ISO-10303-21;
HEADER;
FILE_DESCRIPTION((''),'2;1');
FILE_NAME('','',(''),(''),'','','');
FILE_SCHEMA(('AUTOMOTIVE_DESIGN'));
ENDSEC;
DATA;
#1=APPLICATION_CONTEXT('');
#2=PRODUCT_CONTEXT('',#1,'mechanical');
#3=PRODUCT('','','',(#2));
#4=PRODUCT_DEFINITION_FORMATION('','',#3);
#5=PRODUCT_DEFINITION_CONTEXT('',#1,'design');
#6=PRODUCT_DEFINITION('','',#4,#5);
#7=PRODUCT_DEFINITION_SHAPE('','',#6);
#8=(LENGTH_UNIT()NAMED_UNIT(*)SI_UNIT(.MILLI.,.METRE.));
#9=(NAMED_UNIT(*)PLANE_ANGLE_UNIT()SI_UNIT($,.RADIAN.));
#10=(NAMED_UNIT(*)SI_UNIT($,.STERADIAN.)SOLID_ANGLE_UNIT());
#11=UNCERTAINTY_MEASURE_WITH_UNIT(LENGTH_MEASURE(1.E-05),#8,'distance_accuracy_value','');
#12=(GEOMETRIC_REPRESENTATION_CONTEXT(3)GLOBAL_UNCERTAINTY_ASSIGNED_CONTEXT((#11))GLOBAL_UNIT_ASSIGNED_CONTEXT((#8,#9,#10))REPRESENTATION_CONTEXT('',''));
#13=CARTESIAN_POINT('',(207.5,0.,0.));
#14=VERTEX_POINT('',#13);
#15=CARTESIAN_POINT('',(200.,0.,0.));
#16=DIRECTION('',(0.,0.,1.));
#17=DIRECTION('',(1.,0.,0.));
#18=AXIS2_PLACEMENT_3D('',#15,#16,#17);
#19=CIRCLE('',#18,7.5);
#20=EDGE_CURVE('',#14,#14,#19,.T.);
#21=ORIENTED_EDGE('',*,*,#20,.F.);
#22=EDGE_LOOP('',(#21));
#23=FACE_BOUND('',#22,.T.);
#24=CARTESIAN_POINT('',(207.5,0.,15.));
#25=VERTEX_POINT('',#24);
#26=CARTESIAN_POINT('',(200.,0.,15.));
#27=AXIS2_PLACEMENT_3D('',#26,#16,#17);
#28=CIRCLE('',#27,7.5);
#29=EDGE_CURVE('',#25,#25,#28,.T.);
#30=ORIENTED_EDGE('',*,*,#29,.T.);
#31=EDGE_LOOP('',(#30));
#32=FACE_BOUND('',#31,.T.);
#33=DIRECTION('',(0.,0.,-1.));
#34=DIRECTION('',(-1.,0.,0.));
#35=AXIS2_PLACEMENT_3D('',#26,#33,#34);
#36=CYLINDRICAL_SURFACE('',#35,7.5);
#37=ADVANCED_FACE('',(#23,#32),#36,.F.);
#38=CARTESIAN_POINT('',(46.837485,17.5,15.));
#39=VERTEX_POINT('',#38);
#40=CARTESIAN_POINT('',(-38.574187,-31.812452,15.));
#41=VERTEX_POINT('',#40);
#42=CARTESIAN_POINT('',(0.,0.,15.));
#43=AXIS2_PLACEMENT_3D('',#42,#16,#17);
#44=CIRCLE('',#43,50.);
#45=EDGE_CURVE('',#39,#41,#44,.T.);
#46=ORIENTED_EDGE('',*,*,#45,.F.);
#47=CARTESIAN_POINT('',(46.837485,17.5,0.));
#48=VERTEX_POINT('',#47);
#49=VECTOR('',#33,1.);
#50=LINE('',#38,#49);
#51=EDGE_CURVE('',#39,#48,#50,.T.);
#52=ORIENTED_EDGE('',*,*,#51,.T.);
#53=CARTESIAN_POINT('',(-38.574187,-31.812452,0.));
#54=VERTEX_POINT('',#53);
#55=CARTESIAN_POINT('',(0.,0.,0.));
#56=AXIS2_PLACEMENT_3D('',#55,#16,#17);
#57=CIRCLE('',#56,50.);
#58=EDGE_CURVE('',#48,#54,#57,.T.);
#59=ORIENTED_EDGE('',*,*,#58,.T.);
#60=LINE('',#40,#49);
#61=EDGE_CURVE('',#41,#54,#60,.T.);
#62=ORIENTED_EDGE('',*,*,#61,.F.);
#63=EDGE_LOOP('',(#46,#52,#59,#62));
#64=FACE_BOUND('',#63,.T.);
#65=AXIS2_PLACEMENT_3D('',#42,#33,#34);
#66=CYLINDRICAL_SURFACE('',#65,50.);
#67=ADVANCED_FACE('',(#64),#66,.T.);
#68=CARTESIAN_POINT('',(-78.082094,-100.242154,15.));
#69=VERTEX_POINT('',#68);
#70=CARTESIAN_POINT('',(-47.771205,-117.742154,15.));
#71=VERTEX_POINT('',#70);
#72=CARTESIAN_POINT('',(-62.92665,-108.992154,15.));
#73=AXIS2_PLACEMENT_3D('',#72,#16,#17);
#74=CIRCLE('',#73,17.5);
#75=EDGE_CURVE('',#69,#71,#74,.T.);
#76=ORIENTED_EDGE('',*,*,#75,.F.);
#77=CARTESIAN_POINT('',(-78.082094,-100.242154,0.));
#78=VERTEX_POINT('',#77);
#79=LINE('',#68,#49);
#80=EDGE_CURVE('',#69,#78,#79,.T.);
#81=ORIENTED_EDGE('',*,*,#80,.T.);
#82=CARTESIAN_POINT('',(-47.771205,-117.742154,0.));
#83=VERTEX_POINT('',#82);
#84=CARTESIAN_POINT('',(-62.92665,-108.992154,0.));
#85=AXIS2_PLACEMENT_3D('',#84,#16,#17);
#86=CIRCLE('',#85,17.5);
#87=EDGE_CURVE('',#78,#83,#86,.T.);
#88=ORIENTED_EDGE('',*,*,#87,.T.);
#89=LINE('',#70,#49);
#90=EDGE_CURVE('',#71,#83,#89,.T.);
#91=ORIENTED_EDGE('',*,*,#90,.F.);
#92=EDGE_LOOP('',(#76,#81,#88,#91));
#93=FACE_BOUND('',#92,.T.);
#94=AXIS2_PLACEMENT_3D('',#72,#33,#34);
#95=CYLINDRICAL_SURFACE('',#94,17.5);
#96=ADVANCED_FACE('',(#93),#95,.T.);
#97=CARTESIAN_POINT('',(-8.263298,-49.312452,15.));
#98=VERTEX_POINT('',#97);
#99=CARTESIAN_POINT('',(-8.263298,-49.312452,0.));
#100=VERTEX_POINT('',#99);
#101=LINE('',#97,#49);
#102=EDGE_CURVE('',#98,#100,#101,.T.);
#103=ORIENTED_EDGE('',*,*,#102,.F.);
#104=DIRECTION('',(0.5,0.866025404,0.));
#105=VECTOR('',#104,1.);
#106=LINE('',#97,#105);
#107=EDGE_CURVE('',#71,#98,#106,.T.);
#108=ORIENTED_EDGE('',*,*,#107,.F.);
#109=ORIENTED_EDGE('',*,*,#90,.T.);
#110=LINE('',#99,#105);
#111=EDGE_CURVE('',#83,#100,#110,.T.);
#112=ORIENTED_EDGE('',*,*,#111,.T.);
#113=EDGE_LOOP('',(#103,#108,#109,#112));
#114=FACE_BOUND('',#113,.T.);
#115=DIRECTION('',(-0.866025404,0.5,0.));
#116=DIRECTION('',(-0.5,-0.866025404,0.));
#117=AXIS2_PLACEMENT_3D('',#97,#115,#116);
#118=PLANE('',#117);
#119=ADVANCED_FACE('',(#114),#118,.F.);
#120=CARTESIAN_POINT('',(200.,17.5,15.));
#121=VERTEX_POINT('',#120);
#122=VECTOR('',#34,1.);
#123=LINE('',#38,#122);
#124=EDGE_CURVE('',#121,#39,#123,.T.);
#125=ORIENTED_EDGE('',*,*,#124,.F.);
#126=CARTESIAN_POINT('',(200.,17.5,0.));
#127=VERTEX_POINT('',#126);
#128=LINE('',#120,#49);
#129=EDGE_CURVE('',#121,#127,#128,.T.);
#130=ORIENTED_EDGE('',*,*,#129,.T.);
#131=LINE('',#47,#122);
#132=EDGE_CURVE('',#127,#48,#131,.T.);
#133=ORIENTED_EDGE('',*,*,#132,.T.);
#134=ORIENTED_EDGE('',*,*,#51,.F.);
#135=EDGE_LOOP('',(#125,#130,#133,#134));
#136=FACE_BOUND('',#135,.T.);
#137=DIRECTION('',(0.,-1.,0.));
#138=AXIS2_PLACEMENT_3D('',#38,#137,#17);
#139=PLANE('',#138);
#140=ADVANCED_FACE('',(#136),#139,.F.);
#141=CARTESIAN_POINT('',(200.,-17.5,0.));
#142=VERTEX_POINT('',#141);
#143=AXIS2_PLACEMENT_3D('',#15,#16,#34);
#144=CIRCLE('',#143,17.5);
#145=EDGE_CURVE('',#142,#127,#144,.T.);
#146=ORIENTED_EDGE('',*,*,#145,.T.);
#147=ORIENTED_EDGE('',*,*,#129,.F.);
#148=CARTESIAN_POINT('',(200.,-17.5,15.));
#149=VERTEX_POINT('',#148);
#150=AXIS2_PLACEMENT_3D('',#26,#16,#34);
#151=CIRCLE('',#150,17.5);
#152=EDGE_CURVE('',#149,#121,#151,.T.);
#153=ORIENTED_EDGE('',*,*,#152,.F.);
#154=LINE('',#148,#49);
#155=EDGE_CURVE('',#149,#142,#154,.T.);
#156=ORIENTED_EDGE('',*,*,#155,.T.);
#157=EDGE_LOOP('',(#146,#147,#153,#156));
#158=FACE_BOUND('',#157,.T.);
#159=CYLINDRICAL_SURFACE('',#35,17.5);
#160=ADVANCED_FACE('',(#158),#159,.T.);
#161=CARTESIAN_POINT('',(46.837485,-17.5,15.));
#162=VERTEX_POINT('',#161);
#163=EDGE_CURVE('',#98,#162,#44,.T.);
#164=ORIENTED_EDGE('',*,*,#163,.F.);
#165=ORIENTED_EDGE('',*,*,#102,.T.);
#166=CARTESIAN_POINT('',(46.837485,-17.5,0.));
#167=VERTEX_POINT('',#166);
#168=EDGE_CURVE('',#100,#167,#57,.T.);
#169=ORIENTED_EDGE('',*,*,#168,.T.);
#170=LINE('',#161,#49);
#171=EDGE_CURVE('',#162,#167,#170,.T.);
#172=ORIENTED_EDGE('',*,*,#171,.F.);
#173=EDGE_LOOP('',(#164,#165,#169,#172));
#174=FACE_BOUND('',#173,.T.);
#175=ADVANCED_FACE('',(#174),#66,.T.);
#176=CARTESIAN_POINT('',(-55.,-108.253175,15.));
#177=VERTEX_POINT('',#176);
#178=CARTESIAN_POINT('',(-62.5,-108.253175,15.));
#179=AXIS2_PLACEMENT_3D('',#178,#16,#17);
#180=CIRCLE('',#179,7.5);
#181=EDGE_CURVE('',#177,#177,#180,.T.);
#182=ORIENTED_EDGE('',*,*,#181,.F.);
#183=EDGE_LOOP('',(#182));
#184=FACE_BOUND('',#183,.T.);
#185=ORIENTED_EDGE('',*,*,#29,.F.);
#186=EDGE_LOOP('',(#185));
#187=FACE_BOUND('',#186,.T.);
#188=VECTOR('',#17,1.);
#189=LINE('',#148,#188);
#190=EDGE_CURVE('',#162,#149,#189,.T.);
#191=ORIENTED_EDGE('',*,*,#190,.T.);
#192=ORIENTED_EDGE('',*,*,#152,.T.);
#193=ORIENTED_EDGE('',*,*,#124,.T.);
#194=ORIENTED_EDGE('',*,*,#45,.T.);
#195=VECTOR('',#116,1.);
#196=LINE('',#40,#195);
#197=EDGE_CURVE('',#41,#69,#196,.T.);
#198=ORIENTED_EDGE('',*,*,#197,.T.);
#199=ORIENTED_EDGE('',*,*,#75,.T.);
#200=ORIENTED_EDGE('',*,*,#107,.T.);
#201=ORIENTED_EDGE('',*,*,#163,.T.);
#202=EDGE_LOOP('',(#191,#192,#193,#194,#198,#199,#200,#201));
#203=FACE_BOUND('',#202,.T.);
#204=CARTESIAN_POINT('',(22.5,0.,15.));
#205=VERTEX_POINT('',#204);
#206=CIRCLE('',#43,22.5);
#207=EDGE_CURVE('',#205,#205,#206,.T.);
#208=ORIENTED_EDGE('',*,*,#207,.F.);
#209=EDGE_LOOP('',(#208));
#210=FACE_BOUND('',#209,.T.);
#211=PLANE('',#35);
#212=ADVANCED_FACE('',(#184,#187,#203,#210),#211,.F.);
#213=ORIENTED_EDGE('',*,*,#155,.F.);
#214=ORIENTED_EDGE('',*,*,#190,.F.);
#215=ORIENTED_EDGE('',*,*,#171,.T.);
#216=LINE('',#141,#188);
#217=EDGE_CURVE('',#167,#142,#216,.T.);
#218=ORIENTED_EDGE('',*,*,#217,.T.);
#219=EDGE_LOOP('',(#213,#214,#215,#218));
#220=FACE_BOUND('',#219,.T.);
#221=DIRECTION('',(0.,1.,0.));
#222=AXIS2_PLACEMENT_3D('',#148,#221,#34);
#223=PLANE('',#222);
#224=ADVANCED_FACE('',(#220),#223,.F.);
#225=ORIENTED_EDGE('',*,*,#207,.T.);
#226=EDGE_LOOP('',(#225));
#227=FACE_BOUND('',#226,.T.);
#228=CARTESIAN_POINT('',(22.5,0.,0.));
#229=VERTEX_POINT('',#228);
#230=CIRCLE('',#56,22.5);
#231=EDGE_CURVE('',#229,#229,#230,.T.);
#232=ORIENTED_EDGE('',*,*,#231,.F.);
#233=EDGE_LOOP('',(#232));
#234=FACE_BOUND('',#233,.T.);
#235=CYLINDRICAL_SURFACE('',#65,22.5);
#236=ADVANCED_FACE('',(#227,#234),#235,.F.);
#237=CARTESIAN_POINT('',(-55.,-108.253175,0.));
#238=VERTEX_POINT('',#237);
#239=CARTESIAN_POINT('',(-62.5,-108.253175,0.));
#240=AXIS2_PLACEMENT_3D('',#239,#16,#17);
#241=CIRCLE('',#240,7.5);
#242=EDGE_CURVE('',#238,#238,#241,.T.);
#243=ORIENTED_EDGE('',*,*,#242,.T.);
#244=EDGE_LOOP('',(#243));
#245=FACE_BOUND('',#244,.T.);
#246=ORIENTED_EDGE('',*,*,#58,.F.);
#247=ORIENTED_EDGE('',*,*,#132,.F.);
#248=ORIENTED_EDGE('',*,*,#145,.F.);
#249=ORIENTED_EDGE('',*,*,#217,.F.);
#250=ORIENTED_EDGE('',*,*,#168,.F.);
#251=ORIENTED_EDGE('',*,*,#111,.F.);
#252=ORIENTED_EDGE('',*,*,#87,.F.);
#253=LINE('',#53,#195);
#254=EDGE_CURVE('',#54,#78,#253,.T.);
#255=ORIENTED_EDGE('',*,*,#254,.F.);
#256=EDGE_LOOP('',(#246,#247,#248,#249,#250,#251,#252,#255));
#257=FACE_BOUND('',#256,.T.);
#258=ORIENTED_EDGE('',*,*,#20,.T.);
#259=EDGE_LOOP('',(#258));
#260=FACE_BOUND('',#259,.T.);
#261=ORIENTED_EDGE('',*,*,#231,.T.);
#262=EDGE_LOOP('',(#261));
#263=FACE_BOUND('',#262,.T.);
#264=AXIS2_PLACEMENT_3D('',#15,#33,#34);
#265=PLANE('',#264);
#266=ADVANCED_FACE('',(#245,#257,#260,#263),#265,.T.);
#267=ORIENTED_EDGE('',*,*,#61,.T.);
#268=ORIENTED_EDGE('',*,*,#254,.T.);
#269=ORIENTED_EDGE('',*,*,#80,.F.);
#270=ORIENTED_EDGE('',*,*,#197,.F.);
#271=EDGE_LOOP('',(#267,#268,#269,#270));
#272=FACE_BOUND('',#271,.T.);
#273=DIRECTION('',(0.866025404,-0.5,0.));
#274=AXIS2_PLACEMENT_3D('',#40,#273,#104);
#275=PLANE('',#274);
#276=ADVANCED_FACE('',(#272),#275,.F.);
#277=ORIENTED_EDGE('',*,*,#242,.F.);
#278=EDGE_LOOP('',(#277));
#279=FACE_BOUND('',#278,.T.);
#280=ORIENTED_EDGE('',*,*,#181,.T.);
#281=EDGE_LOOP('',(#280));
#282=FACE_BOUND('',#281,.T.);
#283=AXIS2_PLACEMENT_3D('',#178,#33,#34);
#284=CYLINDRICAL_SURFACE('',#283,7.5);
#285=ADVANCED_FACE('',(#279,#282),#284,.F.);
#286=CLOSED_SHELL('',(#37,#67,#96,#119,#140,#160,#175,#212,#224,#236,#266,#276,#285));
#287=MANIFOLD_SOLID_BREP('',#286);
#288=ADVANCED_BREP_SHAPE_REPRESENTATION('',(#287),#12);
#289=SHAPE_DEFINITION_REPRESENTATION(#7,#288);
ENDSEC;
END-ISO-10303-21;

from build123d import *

# Parameters (mm, degrees)
SKETCH1_R           = 22.5
SKETCH1_R_2         = 7.5
BOSS_EXTRUDE1_DEPTH = 15


with BuildPart() as part:
    # Sketch1 → Boss-Extrude1 (new body)
    with BuildSketch(Plane.XY):
        with BuildLine():
            Line((-8.263297928, -49.312451849), (-47.771204936, -117.742154088))
            ThreePointArc((-47.771204936, -117.742154088), (-71.676649502, -124.147598654), (-78.082094069, -100.242154088))
            Line((-78.082094069, -100.242154088), (-38.57418706, -31.812451849))
            ThreePointArc((-38.57418706, -31.812451849), (-25, 43.301270189), (46.837484988, 17.5))
            Line((46.837484988, 17.5), (200, 17.5))
            ThreePointArc((200, 17.5), (217.5, 0), (200, -17.5))
            Line((200, -17.5), (46.837484988, -17.5))
            ThreePointArc((46.837484988, -17.5), (25, -43.301270189), (-8.263297928, -49.312451849))
        make_face()
        Circle(SKETCH1_R, mode=Mode.SUBTRACT)
        with Locations((200, 0)):
            Circle(SKETCH1_R_2, mode=Mode.SUBTRACT)
        with Locations((-62.5, -108.253175473)):
            Circle(SKETCH1_R_2, mode=Mode.SUBTRACT)
    extrude(amount=BOSS_EXTRUDE1_DEPTH)


solid = part.part
